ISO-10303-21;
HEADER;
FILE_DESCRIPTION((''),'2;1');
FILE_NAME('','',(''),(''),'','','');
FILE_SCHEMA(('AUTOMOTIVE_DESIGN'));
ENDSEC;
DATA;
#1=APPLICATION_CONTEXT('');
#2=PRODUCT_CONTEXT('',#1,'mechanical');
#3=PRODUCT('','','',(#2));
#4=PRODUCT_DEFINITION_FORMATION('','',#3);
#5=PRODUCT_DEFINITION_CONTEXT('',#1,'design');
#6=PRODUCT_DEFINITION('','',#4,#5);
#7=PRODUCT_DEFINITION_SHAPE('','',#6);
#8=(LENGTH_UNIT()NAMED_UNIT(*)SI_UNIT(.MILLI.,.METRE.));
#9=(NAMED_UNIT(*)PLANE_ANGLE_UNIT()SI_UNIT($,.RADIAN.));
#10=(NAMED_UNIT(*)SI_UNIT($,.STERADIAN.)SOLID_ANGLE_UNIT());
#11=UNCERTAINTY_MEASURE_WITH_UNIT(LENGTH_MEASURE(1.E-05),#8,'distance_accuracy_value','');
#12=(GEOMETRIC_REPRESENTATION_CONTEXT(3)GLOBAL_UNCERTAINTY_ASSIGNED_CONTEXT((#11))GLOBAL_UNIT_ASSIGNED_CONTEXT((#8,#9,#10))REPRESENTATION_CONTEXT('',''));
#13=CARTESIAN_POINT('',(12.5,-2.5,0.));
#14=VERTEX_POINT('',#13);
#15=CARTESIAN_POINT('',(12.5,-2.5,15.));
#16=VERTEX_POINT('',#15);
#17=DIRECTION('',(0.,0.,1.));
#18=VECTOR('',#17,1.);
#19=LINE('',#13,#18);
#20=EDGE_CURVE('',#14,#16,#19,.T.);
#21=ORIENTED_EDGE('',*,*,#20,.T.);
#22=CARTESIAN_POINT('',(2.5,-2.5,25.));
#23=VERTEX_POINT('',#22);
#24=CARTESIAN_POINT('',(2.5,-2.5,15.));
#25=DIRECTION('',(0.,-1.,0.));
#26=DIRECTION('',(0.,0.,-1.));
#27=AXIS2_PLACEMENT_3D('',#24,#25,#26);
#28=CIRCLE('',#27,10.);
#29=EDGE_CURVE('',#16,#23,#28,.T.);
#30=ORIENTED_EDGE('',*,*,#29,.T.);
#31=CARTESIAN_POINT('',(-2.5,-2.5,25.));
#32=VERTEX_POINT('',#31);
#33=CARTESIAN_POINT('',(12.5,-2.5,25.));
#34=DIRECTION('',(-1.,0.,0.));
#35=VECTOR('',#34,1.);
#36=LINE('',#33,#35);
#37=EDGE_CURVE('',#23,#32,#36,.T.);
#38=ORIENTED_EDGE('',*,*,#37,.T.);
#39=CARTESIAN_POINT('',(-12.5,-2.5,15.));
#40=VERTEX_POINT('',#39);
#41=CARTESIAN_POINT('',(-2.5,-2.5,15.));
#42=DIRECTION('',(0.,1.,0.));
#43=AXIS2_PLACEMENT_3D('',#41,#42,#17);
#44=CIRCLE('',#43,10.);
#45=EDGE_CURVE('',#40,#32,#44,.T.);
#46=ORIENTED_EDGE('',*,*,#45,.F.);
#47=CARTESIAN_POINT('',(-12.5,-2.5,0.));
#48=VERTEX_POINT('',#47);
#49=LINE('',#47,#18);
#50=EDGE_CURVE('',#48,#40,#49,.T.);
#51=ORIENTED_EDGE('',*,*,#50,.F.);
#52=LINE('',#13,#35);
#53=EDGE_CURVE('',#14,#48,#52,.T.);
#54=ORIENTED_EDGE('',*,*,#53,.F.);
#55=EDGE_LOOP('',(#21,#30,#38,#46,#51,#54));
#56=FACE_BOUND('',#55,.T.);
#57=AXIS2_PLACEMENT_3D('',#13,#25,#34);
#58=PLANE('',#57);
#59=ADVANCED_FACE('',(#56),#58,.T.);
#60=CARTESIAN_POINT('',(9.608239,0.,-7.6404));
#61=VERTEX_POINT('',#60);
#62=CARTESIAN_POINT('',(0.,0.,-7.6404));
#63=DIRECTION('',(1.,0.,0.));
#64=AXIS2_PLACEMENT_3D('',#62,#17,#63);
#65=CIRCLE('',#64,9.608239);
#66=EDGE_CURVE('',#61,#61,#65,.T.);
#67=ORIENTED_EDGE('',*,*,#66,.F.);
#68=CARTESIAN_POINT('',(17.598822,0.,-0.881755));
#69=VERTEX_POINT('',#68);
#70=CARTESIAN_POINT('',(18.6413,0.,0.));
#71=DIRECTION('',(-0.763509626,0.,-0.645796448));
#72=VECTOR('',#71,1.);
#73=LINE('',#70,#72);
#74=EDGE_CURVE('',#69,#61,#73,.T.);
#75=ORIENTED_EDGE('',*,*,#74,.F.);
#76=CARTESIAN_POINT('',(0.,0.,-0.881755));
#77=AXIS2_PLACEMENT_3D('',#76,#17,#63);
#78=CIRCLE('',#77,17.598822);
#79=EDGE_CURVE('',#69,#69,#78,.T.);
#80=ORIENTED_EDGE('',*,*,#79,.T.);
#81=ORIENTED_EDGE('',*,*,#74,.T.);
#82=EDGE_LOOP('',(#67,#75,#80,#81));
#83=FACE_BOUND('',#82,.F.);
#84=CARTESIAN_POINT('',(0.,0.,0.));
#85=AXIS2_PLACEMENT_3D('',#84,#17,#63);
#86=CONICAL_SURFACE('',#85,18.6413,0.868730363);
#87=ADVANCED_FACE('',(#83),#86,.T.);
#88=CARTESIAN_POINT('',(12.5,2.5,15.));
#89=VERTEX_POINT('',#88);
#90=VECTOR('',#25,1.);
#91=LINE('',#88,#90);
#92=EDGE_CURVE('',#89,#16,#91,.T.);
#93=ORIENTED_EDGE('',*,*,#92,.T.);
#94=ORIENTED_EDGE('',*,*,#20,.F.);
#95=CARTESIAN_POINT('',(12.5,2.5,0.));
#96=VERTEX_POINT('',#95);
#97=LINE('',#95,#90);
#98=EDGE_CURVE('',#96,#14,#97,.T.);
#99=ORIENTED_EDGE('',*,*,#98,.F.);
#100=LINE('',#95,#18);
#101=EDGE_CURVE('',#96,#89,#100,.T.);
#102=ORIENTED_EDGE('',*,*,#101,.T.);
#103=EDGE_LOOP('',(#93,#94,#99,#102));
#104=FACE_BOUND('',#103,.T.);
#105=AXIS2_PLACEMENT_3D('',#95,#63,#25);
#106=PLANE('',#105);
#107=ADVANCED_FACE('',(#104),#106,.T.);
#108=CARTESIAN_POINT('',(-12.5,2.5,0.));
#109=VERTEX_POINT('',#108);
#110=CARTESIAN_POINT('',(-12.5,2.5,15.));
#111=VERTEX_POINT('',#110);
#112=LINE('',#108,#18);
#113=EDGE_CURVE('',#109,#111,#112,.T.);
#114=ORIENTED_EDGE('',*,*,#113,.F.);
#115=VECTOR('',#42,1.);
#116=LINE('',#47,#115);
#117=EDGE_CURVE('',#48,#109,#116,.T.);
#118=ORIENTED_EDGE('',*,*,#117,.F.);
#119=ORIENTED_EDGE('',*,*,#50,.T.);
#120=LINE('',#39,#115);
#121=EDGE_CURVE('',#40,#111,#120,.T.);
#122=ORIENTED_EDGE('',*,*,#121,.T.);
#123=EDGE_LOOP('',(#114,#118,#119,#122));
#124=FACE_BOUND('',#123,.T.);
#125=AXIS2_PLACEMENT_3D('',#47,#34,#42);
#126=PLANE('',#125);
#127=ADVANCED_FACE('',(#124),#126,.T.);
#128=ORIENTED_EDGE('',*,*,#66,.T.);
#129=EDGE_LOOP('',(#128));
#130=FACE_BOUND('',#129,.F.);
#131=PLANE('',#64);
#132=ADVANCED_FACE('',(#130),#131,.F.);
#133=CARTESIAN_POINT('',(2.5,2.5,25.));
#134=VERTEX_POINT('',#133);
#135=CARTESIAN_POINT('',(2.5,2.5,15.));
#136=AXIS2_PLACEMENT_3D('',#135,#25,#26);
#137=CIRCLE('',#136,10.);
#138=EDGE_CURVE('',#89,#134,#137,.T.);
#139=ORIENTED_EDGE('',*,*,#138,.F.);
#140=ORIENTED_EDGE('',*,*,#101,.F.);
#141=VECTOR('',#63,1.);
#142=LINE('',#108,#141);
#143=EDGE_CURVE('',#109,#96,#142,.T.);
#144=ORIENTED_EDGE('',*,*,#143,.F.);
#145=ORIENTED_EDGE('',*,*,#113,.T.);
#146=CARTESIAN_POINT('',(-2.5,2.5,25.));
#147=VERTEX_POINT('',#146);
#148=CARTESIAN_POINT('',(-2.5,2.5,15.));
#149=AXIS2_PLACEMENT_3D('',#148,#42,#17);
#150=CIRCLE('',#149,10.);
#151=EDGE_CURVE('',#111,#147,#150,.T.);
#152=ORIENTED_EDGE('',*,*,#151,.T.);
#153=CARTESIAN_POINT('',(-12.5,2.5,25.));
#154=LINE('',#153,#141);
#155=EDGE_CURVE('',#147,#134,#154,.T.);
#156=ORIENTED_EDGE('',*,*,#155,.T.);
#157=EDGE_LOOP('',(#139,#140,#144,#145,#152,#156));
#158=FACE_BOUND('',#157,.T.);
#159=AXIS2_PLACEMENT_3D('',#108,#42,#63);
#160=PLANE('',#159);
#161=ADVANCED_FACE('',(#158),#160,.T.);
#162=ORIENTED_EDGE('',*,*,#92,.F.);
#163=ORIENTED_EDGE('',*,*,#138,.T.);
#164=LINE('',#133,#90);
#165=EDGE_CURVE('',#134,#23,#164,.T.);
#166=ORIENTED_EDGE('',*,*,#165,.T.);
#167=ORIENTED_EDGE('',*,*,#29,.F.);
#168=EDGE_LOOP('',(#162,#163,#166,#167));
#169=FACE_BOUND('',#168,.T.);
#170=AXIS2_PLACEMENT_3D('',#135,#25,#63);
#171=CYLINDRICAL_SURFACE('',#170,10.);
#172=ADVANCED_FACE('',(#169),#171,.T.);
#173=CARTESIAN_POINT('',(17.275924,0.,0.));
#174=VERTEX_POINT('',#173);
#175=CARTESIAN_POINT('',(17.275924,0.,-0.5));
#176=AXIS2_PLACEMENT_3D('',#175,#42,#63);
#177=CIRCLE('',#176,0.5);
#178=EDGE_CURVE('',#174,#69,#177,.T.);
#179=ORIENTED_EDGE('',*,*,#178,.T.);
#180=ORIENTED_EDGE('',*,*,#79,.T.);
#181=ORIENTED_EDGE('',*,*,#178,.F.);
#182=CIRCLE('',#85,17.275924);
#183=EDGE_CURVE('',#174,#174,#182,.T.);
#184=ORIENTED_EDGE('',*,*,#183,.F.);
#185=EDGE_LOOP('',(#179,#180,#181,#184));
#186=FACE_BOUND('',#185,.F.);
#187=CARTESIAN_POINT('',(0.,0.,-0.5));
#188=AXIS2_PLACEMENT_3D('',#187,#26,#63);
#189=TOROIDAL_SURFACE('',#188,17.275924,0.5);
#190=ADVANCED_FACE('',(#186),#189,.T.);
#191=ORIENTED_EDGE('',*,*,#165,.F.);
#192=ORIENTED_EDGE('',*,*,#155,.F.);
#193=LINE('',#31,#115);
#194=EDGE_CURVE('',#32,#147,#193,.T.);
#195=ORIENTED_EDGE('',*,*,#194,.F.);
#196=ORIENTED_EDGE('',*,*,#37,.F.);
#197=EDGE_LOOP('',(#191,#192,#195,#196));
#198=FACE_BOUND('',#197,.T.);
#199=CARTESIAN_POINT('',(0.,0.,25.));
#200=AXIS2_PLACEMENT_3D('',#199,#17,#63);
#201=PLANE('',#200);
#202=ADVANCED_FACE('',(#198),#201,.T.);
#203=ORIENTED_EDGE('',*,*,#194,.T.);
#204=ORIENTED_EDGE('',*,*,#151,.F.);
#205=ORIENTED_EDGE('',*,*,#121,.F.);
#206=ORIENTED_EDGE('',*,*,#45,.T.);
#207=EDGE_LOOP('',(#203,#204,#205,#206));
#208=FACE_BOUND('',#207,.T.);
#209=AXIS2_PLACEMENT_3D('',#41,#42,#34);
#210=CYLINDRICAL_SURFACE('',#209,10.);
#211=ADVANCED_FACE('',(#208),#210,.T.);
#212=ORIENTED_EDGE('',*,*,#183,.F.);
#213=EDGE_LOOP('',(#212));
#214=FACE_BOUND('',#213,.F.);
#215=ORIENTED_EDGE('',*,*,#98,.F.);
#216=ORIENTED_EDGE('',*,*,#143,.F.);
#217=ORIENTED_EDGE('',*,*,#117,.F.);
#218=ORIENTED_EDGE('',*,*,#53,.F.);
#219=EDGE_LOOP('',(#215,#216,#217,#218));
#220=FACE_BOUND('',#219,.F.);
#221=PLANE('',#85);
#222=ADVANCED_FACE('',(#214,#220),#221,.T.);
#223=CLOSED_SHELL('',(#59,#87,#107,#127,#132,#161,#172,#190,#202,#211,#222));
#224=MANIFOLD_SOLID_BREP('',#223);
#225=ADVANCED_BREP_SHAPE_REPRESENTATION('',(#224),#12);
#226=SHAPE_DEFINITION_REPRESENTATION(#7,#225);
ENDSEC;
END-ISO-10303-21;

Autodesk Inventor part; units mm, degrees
ref_plane "YZ Plane" through (0, 0, 0) normal (1, 0, 0) x (0, 1, 0)
ref_plane "XZ Plane" through (0, 0, 0) normal (0, 1, 0) x (-1, 0, 0)
sketch "Sketch7" plane through (0, 0, 0) normal (0, 1, 0) x (-1, 0, 0)
  line L0 (0, 0) -> (0, 15.7673)
  line L1 (0, 0) -> (-13.3368, 0) construction
  line L2 (0, 15.7673) -> (-13.3368, 0) construction
  line L3 (0, 15.7673) -> (-18.6413, 0) construction
  line L4 (0, 15.7673) -> (-12.4569, -5.231) construction
  line L5 (0, 0) -> (0, -15.7673)
  line L6 (0, -15.7673) -> (-13.3368, 0) construction
  line L7 (0, -15.7673) -> (-18.6413, 0) construction
  line L8 (0, -15.7673) -> (-12.4569, 5.231) construction
  line L9 (-12.4569, 5.231) -> (-18.6413, 0) construction
  line L10 (-9.3537, 0) -> (-18.5948, -7.8164) construction
  line L11 (-9.3537, 0) -> (-18.0926, 7.3915) construction
  line L12 (0, -29.7093) -> (0, 66.7435) projected
  line L13 (-53.5, -5.9919) -> (-53.5, 6.008)
  line L14 (17.5786, 0) -> (-94.9714, 0) projected
  line L15 (-15.989, 2.2434) -> (-10.6846, -2.2434) construction
  line L16 (-10.6846, 2.2434) -> (-15.989, -2.2434) construction
  line L17 (-26.151, -15.9303) -> (-40.3783, -15.9303) construction
  line L18 (-40.3783, -15.9303) -> (-40.3783, -12.7539) construction
  line L19 (-40.3783, -12.7539) -> (-26.151, -12.7539) construction
  line L20 (-26.151, -12.7539) -> (-26.151, -15.9303) construction
  point P0 (-53.5, 0)
  dimension "Roller_Side_difference" = -0.0003
  dimension "d90" = 15.7673
  dimension "d201" = 53.5
  dimension "d343" = 99.548
  dimension "d344" = 99.549
  dimension "d367" = 8.1
sketch "Sketch1" plane through (0, 0, 0) normal (0, 0, 1) x (1, 0, 0)
  circle A0 centre (0, 0) radius 13.3368 construction
  line L0 (0, 0) -> (13.3368, 0)
  line L1 (0, 0) -> (13.3368, 4.025)
  line L2 (13.3368, 0) -> (13.3368, 4.025)
  circle A1 centre (0, 0) radius 53.5
  point P0 (56.8, 0)
  dimension "d56" = 13.3368
  dimension "d57" = 4.025
  dimension "d400" = 53.5
  dimension "d495" = 2.5
  dimension "d496" = 8
  dimension "d531" = 5.5
  dimension "d532" = 5.5
  dimension "d533" = 5.5
  dimension "d537" = 24.5
  dimension "d538" = 3
  dimension "d543" = 5.5
  dimension "d549" = 3
  dimension "d550" = 3
  dimension "d567" = 5.5
  dimension "d568" = 5.5
sketch "Roller1" plane through (0, 0, 0) normal (0, 1, 0) x (-1, 0, 0)
  line L0 (0, 15.7673) -> (-12.4569, -5.231) construction
  line L1 (0, 15.7673) -> (-18.6413, 0) construction
  line L2 (-9.3537, 0) -> (-18.0926, 7.3915) construction
  line L3 (0, -15.7673) -> (-18.6413, 0) construction
  line L4 (-9.4248, -0.0708) -> (-12.4245, -5.1274)
  line L5 (-12.4245, -5.1274) -> (-18.5445, 0.0491)
  line L6 (-18.5445, 0.0491) -> (-14.0556, 3.846)
  line L7 (-14.0556, 3.846) -> (-9.4248, -0.0708)
  line L8 (-11.7456, 1.8921) -> (-15.4898, -2.5346)
  line L9 (-10.9821, 1.2463) -> (-14.7263, -3.1804)
  point P0 (0, 0)
  point P1 (-15.4845, -2.5391)
  dimension "d345" = 0.025
  dimension "d346" = 0.025
  dimension "d347" = 0.1
  dimension "d348" = 0.1
  dimension "d349" = 99.549
  dimension "d350" = 99.548
  dimension "d357" = 1
  dimension "d369" = 4.0148
sketch "Roller2" plane through (0, 0, 0) normal (0, 1, 0) x (-1, 0, 0)
  line L0 (0, -15.7673) -> (-12.4569, 5.231) construction
  line L1 (-9.3537, 0) -> (-18.5948, -7.8164) construction
  line L2 (0, -15.7673) -> (-18.6413, 0) construction
  line L3 (0, 15.7673) -> (-18.6413, 0) construction
  line L4 (-12.4245, 5.1274) -> (-9.4248, 0.0708)
  line L5 (-9.4248, 0.0708) -> (-14.0556, -3.846)
  line L6 (-14.0556, -3.846) -> (-18.5445, -0.0491)
  line L7 (-18.5445, -0.0491) -> (-12.4245, 5.1274)
  line L8 (-15.4845, 2.5391) -> (-11.7403, -1.8876)
  line L9 (-14.721, 3.1849) -> (-10.9767, -1.2418)
  point P0 (0, 0)
  dimension "d351" = 0.025
  dimension "d352" = 0.025
  dimension "d354" = 0.1
  dimension "d355" = 99.548
  dimension "d356" = 99.549
  dimension "d370" = 0.1
  dimension "d371" = 1
sketch "Sketch22" plane through (0, 0, 0) normal (0, 1, 0) x (-1, 0, 0)
  line L0 (-31.756, 8.0215) -> (-17.5287, 8.0215) construction
  line L1 (-17.5287, 8.0215) -> (-17.5287, 4.8451) construction
  line L2 (-17.5287, 4.8451) -> (-31.756, 4.8451) construction
  line L3 (-31.756, 4.8451) -> (-31.756, 8.0215) construction
  point P0 (0, 0)
  dimension "Roller_Side_difference" = -0.0003
sketch "Sketch2" plane through (0, 0, 0) normal (0, 1, 0) x (-1, 0, 0)
  line L0 (0, 0) -> (0, 13.3368) construction
  line L1 (0, 0) -> (-13.3368, 0) projected
  line L2 (0, 0) -> (0, -13.3368)
  line L3 (0, -13.3368) -> (-13.3368, 0) construction
  line L4 (0, 13.3368) -> (-13.3368, 0) construction
  line L5 (-78.8928, 52.9645) -> (0, 13.3368) construction
  line L6 (-34.8011, 15.91) -> (0, 13.3368) construction
  line L7 (-34.8011, 15.91) -> (0, -13.3368) construction
  line L8 (-48.3339, 16.9106) -> (0, -13.3368) construction
  point P0 (-17.4708, -4.134)
sketch "Sketch23" plane through (0, 0, 0) normal (0, 1, 0) x (-1, 0, 0)
  line L0 (0, -15.7673) -> (-12.4569, 5.231) construction
  line L1 (0, -15.7673) -> (-18.6413, 0) construction
  line L2 (0, 15.7673) -> (-12.4569, -5.231) construction
  line L3 (-12.4569, 5.231) -> (-18.6413, 0) construction
  line L4 (0, 15.7673) -> (-18.6413, 0) construction
  line L5 (-12.4569, 5.231) -> (-12.4569, -5.231) construction
  line L6 (17.5786, 0) -> (-94.9714, 0) projected
  line L7 (-11.4508, 3.731) -> (-9.2677, 0.051)
  line L8 (-9.2677, -0.051) -> (-11.4508, -3.731)
  line L9 (-14.3852, 3.731) -> (-18.7059, 0.0764)
  line L10 (-18.7059, -0.0764) -> (-14.3852, -3.731)
  arc A0 (-18.7059, 0.0764) -> (-18.7059, -0.0764) centre (-18.6413, 0) ccw
  arc A1 (-9.2677, -0.051) -> (-9.2677, 0.051) centre (-9.3537, 0) ccw
  line L11 (-11.4508, 3.731) -> (-11.4508, 5.231)
  line L12 (-11.4508, 5.231) -> (-1, 5.231)
  line L13 (-1, 5.231) -> (-1, -5.231)
  line L14 (-1, -5.231) -> (-11.4508, -5.231)
  line L15 (-11.4508, -5.231) -> (-11.4508, -3.731)
  line L16 (-14.3852, 3.731) -> (-14.3852, 5.231)
  line L17 (-14.3852, 5.231) -> (-53.5, 5.231)
  line L18 (-53.5, 5.231) -> (-53.5, -5.231)
  line L19 (-14.3852, -3.731) -> (-14.3852, -5.231)
  line L20 (-14.3852, -5.231) -> (-53.5, -5.231)
  line L21 (-12.4569, 5.231) -> (-12.4569, 5.231)
  line L22 (-12.4569, -5.231) -> (-12.4569, -5.231)
  line L23 (0, -29.7093) -> (0, 66.7435) projected
  line L24 (-18.7962, 0) -> (-53.5, 0)
  point P0 (0, 0)
  point P1 (-9.2374, 0)
  point P2 (-18.7413, 0)
  point P3 (-53.5, 0)
  dimension "d378" = 90
  dimension "d379" = 0.1
  dimension "d380" = 0.1
  dimension "d381" = 0.1
  dimension "d382" = 0.1
  dimension "d383" = 0.1
  dimension "d384" = 10.4619
  dimension "d385" = 0
  dimension "d386" = 0
  dimension "d391" = 1
  dimension "d392" = 53.5
  dimension "d393" = 1.5
  dimension "d394" = 1.5
  dimension "d395" = 1.5
  dimension "d396" = 1.5
sketch "Sketch44" plane through (0, 0, 0) normal (0, 1, 0) x (-1, 0, 0)
  line L0 (-18.7962, 0) -> (3.1509, -18.5634)
  line L1 (17.5786, 0) -> (-94.9714, 0) projected
  line L2 (-11.4508, 5.231) -> (-1, 5.231) projected
  line L3 (-14.3852, 5.231) -> (-53.5, 5.231) projected
  line L4 (0, 0) -> (0, 15.7673) projected
  line L5 (0, 0) -> (0, -15.8983)
  line L6 (-25.707, -7.6404) -> (3.3976, -7.6404)
  line L7 (-18.6413, 0) -> (0, -15.7673)
  point P0 (-3.6044, 0)
  point P1 (-9.6083, -7.6404)
  point P2 (0, -7.6404)
  dimension "d615" = 0.1
revolve "Revolution17" add sketch "Sketch44" angle 360 about axis through (0, 0, 0) along (0, 0, 1) contours L1 L5 L6 L7
sketch "Sketch45" plane through (0, 0, 0) normal (0, 0, 1) x (1, 0, 0)
  line L0 (-12.5, 2.5) -> (12.5, 2.5)
  line L1 (12.5, 2.5) -> (12.5, -2.5)
  line L2 (12.5, -2.5) -> (-12.5, -2.5)
  line L3 (-12.5, -2.5) -> (-12.5, 2.5)
  line L4 (-12.5, 2.5) -> (12.5, -2.5) construction
  line L5 (12.5, 2.5) -> (-12.5, -2.5) construction
  point P0 (0, 0)
  dimension "d617" = 25
  dimension "d618" = 5
extrude "Extrusion39" add sketch "Sketch45" along normal blind 25
fillet "Fillet4" radius 10 2 edges at (-12.5, 0, 25) (12.5, 0, 25)
fillet "Fillet5" radius 0.5 1 edges at (-18.6413, 0, 0)
sketch "Sketch40" plane through (0, 0, -5.231) normal (0, 0, -1) x (-1, 0, 0)
  circle A0 centre (53.5, 0) radius 2.75 projected
  circle A1 centre (0, 0) radius 53.5 projected
  point P0 (53.4293, 2.7491)
  point P1 (53.4293, -2.7491)
  dimension "d585" = 8
  dimension "d587" = 1.75
  dimension "d589" = 3
  dimension "d592" = 2
  dimension "d593" = 12
  dimension "d594" = 12
  dimension "d611" = 360
equation "\"Roller_Side_difference\" = -0.001568deg"
equation "\"Cycloid_Top_Plate_Fasner_Inner\" = 61.25"
equation "\"Cycloid_Top_Plate_Fasner_Outer\" = 85.75"
equation "\"Roller_Hole_Radius\" = 1"
equation "\"Distance_To_Bearing\" = 20.65135"
equation "\"d514\" = 0.2"
properties part number "OuterRaceTool"
